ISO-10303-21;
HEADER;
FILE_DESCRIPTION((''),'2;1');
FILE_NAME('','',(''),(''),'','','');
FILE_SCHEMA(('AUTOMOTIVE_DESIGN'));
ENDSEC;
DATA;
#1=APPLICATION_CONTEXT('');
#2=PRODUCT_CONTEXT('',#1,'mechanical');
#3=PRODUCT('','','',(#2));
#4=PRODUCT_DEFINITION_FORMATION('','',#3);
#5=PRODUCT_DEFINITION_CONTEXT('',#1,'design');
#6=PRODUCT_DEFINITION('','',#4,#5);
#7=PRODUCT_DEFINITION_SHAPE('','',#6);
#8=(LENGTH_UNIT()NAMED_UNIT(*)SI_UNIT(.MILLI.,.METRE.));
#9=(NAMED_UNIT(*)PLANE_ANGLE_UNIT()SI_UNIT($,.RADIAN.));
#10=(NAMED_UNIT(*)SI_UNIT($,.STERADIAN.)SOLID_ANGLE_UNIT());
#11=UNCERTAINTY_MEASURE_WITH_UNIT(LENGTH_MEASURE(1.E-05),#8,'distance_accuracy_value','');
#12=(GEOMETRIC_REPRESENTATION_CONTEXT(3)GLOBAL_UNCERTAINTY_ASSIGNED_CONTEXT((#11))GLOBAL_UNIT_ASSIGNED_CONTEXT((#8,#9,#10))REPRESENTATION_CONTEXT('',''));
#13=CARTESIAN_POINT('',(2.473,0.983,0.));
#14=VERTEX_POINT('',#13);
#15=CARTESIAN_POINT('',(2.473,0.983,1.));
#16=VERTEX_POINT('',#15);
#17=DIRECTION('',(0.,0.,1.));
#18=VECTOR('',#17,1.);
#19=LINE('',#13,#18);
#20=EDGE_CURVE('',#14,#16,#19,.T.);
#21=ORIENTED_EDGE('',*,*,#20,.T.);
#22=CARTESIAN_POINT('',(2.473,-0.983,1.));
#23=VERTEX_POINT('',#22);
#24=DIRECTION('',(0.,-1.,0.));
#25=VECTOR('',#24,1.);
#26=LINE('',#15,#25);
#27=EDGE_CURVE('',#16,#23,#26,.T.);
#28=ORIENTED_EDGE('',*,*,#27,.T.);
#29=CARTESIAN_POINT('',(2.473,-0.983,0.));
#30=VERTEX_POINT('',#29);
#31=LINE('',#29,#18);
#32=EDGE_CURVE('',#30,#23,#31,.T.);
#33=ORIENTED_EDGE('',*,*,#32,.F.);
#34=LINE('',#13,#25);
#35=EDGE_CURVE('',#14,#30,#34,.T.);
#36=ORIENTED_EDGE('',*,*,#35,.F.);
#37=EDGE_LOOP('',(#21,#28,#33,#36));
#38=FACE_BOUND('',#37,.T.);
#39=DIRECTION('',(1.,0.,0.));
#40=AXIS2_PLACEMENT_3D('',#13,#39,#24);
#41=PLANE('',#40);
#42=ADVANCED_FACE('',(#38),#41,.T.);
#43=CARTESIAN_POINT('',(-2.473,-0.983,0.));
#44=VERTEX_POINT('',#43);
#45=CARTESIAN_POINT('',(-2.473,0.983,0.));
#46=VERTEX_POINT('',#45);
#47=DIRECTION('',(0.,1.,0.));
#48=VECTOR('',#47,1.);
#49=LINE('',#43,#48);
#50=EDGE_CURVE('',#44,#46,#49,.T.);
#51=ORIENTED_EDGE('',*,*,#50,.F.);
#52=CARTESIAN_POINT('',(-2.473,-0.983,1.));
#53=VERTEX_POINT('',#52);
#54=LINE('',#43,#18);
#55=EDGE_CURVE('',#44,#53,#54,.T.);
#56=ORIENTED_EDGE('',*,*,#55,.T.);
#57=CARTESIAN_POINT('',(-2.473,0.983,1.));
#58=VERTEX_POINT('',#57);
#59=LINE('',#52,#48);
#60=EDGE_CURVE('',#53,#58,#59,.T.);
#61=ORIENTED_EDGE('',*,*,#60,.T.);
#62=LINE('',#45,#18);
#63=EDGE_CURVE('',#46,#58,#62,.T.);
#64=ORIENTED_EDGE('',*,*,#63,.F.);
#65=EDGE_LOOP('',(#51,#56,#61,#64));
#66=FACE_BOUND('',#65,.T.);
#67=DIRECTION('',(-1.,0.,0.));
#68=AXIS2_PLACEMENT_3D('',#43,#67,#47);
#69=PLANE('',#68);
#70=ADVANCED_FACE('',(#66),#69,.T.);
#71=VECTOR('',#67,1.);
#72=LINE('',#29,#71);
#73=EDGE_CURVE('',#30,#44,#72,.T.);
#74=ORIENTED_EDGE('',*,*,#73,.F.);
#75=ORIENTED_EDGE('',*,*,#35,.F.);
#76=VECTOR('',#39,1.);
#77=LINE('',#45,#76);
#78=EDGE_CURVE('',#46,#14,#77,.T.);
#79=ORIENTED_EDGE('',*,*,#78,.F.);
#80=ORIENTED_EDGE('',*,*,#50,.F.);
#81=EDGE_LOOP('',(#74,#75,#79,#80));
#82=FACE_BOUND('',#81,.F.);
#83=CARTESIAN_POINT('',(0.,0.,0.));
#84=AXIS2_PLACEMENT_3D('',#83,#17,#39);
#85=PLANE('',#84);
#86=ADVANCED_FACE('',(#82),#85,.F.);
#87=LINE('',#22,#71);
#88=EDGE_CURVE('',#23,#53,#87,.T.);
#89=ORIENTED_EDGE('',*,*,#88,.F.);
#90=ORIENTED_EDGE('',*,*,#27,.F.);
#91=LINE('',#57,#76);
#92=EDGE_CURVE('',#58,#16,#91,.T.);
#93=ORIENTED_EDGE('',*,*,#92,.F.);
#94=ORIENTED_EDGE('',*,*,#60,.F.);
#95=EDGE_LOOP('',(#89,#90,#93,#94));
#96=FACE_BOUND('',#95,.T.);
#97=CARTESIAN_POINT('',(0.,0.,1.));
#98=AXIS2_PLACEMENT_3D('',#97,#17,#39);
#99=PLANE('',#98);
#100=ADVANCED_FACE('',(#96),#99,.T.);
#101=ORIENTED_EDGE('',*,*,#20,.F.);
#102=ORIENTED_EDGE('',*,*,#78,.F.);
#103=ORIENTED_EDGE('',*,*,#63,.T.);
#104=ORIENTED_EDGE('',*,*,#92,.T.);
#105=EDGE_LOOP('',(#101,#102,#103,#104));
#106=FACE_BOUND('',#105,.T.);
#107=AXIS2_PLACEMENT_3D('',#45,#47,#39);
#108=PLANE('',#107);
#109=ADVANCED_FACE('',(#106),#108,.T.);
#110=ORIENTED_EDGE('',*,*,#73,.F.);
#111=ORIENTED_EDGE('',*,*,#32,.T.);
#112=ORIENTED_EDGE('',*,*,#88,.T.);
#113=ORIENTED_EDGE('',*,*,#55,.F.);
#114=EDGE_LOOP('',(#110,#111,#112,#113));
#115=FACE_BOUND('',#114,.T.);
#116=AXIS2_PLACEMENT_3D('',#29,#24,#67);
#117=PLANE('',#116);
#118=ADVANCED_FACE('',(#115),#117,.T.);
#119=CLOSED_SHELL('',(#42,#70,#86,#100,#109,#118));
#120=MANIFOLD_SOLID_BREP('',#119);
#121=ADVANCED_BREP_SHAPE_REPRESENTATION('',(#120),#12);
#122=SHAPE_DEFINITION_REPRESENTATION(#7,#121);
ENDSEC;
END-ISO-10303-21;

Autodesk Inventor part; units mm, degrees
ref_plane "YZ Plane" through (0, 0, 0) normal (1, 0, 0) x (0, 1, 0)
ref_plane "XZ Plane" through (0, 0, 0) normal (0, 1, 0) x (-1, 0, 0)
ref_plane "XY Plane" through (0, 0, 0) normal (0, 0, 1) x (1, 0, 0)
sketch "R3216, 100_105" plane through (0, 0, 0) normal (0, 0, 1) x (1, 0, 0)
  line L0 (-2.473, 0.983) -> (2.473, 0.983)
  line L1 (2.473, 0.983) -> (2.473, -0.983)
  line L2 (2.473, -0.983) -> (-2.473, -0.983)
  line L3 (-2.473, -0.983) -> (-2.473, 0.983)
extrude "Extrusion1" add sketch "R3216, 100_105" along normal blind 1
properties part number "100"
